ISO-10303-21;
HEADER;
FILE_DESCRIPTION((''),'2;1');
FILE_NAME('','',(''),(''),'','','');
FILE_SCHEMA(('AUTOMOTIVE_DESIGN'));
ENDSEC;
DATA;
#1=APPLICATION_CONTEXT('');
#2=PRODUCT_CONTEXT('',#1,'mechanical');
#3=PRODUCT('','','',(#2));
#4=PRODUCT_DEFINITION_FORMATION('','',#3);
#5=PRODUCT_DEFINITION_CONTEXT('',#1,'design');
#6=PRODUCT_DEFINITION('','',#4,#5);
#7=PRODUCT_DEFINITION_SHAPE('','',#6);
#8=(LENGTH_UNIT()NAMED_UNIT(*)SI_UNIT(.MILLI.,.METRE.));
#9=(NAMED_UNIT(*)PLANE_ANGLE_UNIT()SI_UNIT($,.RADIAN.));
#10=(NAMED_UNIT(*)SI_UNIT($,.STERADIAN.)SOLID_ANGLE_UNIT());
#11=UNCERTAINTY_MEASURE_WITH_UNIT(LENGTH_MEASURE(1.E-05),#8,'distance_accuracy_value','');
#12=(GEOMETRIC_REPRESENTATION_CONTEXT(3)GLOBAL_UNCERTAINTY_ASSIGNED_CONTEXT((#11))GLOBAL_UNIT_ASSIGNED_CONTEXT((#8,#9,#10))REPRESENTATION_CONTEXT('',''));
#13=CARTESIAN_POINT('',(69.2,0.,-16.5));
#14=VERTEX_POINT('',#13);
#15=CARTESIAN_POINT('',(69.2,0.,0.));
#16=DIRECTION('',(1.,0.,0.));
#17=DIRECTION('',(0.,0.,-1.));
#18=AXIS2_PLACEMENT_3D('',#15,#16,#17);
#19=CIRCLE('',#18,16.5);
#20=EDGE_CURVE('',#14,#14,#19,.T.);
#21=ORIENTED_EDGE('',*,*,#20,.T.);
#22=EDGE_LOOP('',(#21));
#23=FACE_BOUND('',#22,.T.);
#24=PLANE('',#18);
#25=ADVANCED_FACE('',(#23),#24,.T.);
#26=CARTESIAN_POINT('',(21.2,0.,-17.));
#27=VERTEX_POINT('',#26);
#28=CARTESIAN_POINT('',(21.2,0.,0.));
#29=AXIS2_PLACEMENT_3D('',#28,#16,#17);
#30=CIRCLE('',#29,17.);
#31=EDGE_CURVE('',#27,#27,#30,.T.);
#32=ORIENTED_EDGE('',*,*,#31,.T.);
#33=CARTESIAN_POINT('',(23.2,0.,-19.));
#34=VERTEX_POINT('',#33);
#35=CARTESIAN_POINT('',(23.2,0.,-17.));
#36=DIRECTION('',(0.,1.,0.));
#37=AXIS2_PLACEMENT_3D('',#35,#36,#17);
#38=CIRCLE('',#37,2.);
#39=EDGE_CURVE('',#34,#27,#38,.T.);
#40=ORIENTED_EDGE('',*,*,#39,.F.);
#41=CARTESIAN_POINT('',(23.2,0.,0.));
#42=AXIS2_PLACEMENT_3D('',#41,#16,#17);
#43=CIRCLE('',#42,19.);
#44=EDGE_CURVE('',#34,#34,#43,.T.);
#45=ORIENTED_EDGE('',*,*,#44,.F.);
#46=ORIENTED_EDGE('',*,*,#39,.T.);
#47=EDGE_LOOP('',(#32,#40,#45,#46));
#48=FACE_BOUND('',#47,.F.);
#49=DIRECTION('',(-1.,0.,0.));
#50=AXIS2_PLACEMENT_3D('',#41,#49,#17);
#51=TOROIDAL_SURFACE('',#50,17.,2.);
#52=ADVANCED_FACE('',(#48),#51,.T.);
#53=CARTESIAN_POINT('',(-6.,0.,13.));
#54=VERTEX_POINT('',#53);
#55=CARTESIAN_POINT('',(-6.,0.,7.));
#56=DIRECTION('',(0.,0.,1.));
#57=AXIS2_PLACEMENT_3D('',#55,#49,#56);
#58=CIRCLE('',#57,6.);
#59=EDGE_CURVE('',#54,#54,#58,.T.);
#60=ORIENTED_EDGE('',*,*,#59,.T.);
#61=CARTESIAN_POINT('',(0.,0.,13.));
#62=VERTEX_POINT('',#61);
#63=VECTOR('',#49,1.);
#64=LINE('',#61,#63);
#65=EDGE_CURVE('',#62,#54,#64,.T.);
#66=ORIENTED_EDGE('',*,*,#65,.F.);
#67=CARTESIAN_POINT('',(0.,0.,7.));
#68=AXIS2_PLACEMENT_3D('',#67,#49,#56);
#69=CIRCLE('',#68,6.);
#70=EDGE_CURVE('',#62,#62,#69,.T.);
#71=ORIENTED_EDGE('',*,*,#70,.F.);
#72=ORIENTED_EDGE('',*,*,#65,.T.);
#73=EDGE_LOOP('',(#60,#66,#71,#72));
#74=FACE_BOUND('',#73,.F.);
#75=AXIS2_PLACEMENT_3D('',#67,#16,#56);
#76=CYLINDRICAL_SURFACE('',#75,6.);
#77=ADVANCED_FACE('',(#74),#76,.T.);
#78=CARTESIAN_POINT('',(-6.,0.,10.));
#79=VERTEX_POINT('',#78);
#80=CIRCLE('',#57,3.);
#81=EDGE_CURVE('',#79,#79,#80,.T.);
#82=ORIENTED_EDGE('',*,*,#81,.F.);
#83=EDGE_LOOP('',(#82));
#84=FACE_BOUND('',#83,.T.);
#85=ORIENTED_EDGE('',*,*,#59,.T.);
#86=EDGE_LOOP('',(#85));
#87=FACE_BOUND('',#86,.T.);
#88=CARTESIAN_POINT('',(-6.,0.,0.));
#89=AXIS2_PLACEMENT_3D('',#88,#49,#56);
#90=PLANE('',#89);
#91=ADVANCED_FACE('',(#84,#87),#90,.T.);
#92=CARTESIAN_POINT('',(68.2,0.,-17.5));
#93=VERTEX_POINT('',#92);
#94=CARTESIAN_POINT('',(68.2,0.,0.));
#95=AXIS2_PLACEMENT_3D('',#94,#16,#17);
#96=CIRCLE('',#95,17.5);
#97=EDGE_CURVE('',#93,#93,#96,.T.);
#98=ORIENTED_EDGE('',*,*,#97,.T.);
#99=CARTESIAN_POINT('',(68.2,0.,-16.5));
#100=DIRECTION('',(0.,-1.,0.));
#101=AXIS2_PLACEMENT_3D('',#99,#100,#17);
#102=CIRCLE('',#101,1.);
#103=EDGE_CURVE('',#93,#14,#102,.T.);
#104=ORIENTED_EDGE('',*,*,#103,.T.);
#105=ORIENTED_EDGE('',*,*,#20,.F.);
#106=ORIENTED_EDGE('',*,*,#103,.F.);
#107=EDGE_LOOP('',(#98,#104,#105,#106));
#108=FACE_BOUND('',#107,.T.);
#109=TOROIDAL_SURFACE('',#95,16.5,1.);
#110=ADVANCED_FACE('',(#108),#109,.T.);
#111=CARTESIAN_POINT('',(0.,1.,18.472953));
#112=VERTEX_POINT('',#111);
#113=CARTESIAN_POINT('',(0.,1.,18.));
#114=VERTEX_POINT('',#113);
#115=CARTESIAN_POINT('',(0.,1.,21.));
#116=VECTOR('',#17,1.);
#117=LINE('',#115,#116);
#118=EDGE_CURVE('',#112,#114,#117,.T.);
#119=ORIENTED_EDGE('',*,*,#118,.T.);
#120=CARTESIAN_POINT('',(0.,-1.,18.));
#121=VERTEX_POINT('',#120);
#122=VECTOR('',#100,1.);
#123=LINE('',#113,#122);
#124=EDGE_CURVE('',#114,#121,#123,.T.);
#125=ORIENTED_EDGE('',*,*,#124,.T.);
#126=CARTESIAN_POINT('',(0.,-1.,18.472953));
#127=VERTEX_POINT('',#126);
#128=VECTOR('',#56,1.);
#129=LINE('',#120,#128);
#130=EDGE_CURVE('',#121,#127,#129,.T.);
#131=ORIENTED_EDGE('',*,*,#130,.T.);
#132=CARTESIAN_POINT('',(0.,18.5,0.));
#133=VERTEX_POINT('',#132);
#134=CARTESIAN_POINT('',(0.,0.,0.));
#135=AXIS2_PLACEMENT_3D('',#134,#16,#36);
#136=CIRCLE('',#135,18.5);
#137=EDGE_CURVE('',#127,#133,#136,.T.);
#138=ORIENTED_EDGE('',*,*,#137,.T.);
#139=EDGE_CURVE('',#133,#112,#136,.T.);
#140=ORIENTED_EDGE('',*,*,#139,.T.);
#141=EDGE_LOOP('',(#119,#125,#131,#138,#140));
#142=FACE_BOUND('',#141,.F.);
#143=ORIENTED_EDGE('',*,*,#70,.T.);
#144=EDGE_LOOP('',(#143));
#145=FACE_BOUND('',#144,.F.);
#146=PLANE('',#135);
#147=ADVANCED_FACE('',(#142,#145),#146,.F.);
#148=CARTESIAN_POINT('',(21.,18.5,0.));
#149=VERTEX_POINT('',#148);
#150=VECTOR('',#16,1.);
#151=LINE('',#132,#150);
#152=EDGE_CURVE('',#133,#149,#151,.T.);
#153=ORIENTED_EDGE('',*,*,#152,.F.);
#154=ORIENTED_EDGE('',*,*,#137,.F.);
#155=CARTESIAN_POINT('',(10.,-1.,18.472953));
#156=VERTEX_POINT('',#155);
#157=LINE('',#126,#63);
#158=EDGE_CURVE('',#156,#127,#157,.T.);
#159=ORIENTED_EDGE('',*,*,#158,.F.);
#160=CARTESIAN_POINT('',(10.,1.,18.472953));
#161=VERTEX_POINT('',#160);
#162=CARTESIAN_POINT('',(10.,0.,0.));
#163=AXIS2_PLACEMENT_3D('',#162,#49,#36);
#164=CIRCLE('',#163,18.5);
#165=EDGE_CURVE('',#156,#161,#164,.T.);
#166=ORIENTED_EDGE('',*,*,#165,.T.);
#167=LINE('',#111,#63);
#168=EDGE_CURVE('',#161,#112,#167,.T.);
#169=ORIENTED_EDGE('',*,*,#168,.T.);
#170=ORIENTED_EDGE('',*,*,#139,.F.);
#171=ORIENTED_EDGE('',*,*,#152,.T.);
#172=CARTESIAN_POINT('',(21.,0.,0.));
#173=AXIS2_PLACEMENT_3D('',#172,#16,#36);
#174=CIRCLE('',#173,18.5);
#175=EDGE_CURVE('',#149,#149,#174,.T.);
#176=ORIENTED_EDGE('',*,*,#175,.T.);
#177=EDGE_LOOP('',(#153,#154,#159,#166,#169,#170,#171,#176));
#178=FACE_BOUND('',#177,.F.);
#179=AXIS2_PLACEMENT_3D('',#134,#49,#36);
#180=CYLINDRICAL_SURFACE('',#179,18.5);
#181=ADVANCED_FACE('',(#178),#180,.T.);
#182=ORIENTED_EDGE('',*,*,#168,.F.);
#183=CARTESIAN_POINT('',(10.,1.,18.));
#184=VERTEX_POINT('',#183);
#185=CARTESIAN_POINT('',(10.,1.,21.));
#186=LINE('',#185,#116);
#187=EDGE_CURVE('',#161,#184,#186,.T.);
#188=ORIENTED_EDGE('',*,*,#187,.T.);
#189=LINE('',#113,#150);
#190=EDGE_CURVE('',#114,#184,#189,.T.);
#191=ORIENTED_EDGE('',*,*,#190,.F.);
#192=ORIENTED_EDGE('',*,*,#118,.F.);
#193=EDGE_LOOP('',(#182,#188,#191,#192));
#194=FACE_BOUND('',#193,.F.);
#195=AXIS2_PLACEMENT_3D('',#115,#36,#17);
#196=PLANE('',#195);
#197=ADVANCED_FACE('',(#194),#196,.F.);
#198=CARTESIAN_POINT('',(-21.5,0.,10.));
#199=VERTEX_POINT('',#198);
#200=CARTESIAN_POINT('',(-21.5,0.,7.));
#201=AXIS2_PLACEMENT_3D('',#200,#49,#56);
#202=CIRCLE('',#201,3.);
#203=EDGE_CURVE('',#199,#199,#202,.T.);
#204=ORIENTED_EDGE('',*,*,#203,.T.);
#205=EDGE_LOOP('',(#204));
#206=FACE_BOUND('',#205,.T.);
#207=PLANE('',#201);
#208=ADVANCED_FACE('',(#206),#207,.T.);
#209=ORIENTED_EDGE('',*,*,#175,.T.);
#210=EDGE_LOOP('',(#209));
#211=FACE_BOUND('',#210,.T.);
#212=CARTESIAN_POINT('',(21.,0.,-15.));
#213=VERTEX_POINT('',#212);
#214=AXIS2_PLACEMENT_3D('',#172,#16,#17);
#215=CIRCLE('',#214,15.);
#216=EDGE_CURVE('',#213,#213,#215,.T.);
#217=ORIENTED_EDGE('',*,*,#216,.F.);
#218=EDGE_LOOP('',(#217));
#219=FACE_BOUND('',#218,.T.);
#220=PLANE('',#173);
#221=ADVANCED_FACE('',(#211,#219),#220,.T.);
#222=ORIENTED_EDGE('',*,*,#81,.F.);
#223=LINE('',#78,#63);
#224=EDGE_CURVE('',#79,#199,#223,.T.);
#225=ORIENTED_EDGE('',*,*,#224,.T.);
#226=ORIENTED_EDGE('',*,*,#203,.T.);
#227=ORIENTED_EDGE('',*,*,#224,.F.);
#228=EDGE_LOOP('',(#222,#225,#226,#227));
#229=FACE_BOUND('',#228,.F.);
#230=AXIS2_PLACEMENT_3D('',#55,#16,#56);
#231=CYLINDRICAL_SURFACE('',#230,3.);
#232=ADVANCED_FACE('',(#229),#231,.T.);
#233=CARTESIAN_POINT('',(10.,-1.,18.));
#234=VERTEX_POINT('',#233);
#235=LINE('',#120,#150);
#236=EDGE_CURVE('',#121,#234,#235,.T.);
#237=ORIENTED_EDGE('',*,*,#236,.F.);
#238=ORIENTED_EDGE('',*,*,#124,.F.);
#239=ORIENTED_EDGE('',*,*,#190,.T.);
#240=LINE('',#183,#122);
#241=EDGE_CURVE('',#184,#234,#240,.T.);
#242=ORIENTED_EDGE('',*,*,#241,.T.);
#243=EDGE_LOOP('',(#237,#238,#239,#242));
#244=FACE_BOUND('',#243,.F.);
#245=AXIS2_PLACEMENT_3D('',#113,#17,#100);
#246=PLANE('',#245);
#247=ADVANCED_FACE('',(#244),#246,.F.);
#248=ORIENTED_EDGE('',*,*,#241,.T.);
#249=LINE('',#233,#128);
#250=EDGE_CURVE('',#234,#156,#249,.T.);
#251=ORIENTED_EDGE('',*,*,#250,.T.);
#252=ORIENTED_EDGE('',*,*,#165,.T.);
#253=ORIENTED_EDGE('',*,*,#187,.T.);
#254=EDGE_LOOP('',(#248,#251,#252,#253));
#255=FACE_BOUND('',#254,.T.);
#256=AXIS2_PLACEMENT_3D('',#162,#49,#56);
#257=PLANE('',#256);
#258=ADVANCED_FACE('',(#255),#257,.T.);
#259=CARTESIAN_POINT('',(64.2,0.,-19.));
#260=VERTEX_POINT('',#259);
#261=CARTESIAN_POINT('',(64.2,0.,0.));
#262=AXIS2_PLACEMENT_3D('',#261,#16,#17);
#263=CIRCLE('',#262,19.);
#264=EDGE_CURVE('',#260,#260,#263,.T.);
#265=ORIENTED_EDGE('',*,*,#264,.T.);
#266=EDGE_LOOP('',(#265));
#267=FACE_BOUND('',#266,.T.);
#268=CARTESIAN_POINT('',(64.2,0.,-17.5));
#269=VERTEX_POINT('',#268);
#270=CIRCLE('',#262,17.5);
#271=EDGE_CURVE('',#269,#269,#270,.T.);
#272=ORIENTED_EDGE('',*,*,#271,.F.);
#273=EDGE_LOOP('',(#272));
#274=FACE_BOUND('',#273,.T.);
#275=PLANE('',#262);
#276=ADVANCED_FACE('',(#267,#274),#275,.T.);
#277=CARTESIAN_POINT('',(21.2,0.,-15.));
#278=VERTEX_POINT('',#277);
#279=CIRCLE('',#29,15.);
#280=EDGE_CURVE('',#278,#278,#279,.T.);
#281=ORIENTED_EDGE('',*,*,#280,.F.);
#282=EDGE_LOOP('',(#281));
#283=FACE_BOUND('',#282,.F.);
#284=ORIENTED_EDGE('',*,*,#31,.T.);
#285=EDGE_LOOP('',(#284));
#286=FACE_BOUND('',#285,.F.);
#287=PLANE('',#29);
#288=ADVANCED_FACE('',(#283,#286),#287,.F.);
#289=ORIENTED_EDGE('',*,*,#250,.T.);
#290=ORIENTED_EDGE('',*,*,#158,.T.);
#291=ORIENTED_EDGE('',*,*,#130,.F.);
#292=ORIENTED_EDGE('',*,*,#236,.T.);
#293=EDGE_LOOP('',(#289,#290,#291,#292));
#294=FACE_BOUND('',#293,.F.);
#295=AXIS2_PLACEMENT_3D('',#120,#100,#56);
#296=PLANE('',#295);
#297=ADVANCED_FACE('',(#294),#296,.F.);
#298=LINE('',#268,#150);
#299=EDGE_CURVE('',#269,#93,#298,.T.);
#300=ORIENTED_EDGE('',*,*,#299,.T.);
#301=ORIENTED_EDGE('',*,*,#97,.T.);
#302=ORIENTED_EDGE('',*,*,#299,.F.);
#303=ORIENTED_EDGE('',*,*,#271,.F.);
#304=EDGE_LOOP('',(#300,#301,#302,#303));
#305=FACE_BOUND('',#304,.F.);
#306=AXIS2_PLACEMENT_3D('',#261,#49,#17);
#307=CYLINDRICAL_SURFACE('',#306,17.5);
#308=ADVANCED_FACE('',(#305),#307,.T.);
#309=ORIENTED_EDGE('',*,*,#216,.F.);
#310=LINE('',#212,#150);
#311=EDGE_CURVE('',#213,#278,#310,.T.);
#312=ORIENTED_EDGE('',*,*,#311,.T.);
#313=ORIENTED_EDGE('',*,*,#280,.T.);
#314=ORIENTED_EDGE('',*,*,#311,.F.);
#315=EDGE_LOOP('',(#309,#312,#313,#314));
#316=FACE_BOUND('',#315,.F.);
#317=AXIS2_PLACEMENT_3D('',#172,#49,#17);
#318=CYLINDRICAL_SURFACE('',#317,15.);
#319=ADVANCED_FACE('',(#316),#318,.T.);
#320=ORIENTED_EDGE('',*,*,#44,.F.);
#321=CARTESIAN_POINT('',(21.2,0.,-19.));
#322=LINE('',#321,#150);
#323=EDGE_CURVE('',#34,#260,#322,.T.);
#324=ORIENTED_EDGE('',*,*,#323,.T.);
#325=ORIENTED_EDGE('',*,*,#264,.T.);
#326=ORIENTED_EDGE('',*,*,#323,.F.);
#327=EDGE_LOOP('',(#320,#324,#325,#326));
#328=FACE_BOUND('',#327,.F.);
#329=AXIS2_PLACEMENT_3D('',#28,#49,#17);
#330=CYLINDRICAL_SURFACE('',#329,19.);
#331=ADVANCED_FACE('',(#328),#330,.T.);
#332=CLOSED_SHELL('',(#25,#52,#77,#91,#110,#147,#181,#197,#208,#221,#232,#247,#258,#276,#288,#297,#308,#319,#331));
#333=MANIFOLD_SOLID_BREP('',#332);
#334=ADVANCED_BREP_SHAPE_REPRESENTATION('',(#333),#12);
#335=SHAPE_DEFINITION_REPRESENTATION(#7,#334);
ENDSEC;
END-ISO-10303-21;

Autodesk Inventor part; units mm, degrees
ref_plane "YZ Plane" through (0, 0, 0) normal (1, 0, 0) x (0, 1, 0)
ref_plane "XZ Plane" through (0, 0, 0) normal (0, 1, 0) x (-1, 0, 0)
ref_plane "XY Plane" through (0, 0, 0) normal (0, 0, 1) x (1, 0, 0)
sketch "Эскиз1" plane through (0, 0, 0) normal (1, 0, 0) x (0, 1, 0)
  circle A0 centre (0, 0) radius 18.5
  dimension "d0" = 37
extrude "Выдавливание1" add sketch "Эскиз1" along normal blind 21
sketch "Эскиз2" plane through (21, 0, 0) normal (1, 0, 0) x (0, 0, -1)
  circle A0 centre (0, 0) radius 15
  dimension "d3" = 30
extrude "Выдавливание2" add sketch "Эскиз2" along normal blind 0.2
sketch "Эскиз3" plane through (21.2, 0, 0) normal (1, 0, 0) x (0, 0, -1)
  circle A0 centre (0, 0) radius 19
  dimension "d6" = 38
extrude "Выдавливание3" add sketch "Эскиз3" along normal blind 43
fillet "Сопряжение1" radius 2 1 edges at (21.2, 0, 19)
sketch "Эскиз4" plane through (64.2, 0, 0) normal (1, 0, 0) x (0, 0, -1)
  circle A0 centre (0, 0) radius 17.5
  dimension "d10" = 35
extrude "Выдавливание4" add sketch "Эскиз4" along normal blind 5
fillet "Сопряжение2" radius 1 1 edges at (69.2, 0, 17.5)
sketch "Эскиз5" plane through (0, 0, 0) normal (-1, 0, 0) x (0, 0, 1)
  line L0 (0, 0) -> (27.1698, 0) construction
  circle A0 centre (7, 0) radius 6
  dimension "d14" = 12
  dimension "d15" = 7
extrude "Выдавливание5" add sketch "Эскиз5" along normal blind 6
sketch "Эскиз6" plane through (-6, 0, 7) normal (-1, 0, 0) x (0, 0, 1)
  circle A0 centre (0, 0) radius 3
  circle A1 centre (0, 0) radius 6 projected
  point P0 (-7, 0)
  dimension "d18" = 6
extrude "Выдавливание6" add sketch "Эскиз6" along normal blind 15.5 contours A0
sketch "Эскиз7" plane through (0, 0, 0) normal (-1, 0, 0) x (0, 0, 1)
  circle A0 centre (7, 0) radius 3 projected
  line L0 (0, 0) -> (22.9048, 0) construction
  line L1 (21, 1) -> (18, 1)
  line L2 (18, 1) -> (18, -1)
  line L3 (18, -1) -> (21, -1)
  line L4 (21, -1) -> (21, 1)
  dimension "d21" = 18
  dimension "d22" = 3
  dimension "d23" = 2
extrude "Выдавливание7" cut sketch "Эскиз7" against normal blind 10 contours L4 L3 L2 L1
properties part number "Двигатель"
